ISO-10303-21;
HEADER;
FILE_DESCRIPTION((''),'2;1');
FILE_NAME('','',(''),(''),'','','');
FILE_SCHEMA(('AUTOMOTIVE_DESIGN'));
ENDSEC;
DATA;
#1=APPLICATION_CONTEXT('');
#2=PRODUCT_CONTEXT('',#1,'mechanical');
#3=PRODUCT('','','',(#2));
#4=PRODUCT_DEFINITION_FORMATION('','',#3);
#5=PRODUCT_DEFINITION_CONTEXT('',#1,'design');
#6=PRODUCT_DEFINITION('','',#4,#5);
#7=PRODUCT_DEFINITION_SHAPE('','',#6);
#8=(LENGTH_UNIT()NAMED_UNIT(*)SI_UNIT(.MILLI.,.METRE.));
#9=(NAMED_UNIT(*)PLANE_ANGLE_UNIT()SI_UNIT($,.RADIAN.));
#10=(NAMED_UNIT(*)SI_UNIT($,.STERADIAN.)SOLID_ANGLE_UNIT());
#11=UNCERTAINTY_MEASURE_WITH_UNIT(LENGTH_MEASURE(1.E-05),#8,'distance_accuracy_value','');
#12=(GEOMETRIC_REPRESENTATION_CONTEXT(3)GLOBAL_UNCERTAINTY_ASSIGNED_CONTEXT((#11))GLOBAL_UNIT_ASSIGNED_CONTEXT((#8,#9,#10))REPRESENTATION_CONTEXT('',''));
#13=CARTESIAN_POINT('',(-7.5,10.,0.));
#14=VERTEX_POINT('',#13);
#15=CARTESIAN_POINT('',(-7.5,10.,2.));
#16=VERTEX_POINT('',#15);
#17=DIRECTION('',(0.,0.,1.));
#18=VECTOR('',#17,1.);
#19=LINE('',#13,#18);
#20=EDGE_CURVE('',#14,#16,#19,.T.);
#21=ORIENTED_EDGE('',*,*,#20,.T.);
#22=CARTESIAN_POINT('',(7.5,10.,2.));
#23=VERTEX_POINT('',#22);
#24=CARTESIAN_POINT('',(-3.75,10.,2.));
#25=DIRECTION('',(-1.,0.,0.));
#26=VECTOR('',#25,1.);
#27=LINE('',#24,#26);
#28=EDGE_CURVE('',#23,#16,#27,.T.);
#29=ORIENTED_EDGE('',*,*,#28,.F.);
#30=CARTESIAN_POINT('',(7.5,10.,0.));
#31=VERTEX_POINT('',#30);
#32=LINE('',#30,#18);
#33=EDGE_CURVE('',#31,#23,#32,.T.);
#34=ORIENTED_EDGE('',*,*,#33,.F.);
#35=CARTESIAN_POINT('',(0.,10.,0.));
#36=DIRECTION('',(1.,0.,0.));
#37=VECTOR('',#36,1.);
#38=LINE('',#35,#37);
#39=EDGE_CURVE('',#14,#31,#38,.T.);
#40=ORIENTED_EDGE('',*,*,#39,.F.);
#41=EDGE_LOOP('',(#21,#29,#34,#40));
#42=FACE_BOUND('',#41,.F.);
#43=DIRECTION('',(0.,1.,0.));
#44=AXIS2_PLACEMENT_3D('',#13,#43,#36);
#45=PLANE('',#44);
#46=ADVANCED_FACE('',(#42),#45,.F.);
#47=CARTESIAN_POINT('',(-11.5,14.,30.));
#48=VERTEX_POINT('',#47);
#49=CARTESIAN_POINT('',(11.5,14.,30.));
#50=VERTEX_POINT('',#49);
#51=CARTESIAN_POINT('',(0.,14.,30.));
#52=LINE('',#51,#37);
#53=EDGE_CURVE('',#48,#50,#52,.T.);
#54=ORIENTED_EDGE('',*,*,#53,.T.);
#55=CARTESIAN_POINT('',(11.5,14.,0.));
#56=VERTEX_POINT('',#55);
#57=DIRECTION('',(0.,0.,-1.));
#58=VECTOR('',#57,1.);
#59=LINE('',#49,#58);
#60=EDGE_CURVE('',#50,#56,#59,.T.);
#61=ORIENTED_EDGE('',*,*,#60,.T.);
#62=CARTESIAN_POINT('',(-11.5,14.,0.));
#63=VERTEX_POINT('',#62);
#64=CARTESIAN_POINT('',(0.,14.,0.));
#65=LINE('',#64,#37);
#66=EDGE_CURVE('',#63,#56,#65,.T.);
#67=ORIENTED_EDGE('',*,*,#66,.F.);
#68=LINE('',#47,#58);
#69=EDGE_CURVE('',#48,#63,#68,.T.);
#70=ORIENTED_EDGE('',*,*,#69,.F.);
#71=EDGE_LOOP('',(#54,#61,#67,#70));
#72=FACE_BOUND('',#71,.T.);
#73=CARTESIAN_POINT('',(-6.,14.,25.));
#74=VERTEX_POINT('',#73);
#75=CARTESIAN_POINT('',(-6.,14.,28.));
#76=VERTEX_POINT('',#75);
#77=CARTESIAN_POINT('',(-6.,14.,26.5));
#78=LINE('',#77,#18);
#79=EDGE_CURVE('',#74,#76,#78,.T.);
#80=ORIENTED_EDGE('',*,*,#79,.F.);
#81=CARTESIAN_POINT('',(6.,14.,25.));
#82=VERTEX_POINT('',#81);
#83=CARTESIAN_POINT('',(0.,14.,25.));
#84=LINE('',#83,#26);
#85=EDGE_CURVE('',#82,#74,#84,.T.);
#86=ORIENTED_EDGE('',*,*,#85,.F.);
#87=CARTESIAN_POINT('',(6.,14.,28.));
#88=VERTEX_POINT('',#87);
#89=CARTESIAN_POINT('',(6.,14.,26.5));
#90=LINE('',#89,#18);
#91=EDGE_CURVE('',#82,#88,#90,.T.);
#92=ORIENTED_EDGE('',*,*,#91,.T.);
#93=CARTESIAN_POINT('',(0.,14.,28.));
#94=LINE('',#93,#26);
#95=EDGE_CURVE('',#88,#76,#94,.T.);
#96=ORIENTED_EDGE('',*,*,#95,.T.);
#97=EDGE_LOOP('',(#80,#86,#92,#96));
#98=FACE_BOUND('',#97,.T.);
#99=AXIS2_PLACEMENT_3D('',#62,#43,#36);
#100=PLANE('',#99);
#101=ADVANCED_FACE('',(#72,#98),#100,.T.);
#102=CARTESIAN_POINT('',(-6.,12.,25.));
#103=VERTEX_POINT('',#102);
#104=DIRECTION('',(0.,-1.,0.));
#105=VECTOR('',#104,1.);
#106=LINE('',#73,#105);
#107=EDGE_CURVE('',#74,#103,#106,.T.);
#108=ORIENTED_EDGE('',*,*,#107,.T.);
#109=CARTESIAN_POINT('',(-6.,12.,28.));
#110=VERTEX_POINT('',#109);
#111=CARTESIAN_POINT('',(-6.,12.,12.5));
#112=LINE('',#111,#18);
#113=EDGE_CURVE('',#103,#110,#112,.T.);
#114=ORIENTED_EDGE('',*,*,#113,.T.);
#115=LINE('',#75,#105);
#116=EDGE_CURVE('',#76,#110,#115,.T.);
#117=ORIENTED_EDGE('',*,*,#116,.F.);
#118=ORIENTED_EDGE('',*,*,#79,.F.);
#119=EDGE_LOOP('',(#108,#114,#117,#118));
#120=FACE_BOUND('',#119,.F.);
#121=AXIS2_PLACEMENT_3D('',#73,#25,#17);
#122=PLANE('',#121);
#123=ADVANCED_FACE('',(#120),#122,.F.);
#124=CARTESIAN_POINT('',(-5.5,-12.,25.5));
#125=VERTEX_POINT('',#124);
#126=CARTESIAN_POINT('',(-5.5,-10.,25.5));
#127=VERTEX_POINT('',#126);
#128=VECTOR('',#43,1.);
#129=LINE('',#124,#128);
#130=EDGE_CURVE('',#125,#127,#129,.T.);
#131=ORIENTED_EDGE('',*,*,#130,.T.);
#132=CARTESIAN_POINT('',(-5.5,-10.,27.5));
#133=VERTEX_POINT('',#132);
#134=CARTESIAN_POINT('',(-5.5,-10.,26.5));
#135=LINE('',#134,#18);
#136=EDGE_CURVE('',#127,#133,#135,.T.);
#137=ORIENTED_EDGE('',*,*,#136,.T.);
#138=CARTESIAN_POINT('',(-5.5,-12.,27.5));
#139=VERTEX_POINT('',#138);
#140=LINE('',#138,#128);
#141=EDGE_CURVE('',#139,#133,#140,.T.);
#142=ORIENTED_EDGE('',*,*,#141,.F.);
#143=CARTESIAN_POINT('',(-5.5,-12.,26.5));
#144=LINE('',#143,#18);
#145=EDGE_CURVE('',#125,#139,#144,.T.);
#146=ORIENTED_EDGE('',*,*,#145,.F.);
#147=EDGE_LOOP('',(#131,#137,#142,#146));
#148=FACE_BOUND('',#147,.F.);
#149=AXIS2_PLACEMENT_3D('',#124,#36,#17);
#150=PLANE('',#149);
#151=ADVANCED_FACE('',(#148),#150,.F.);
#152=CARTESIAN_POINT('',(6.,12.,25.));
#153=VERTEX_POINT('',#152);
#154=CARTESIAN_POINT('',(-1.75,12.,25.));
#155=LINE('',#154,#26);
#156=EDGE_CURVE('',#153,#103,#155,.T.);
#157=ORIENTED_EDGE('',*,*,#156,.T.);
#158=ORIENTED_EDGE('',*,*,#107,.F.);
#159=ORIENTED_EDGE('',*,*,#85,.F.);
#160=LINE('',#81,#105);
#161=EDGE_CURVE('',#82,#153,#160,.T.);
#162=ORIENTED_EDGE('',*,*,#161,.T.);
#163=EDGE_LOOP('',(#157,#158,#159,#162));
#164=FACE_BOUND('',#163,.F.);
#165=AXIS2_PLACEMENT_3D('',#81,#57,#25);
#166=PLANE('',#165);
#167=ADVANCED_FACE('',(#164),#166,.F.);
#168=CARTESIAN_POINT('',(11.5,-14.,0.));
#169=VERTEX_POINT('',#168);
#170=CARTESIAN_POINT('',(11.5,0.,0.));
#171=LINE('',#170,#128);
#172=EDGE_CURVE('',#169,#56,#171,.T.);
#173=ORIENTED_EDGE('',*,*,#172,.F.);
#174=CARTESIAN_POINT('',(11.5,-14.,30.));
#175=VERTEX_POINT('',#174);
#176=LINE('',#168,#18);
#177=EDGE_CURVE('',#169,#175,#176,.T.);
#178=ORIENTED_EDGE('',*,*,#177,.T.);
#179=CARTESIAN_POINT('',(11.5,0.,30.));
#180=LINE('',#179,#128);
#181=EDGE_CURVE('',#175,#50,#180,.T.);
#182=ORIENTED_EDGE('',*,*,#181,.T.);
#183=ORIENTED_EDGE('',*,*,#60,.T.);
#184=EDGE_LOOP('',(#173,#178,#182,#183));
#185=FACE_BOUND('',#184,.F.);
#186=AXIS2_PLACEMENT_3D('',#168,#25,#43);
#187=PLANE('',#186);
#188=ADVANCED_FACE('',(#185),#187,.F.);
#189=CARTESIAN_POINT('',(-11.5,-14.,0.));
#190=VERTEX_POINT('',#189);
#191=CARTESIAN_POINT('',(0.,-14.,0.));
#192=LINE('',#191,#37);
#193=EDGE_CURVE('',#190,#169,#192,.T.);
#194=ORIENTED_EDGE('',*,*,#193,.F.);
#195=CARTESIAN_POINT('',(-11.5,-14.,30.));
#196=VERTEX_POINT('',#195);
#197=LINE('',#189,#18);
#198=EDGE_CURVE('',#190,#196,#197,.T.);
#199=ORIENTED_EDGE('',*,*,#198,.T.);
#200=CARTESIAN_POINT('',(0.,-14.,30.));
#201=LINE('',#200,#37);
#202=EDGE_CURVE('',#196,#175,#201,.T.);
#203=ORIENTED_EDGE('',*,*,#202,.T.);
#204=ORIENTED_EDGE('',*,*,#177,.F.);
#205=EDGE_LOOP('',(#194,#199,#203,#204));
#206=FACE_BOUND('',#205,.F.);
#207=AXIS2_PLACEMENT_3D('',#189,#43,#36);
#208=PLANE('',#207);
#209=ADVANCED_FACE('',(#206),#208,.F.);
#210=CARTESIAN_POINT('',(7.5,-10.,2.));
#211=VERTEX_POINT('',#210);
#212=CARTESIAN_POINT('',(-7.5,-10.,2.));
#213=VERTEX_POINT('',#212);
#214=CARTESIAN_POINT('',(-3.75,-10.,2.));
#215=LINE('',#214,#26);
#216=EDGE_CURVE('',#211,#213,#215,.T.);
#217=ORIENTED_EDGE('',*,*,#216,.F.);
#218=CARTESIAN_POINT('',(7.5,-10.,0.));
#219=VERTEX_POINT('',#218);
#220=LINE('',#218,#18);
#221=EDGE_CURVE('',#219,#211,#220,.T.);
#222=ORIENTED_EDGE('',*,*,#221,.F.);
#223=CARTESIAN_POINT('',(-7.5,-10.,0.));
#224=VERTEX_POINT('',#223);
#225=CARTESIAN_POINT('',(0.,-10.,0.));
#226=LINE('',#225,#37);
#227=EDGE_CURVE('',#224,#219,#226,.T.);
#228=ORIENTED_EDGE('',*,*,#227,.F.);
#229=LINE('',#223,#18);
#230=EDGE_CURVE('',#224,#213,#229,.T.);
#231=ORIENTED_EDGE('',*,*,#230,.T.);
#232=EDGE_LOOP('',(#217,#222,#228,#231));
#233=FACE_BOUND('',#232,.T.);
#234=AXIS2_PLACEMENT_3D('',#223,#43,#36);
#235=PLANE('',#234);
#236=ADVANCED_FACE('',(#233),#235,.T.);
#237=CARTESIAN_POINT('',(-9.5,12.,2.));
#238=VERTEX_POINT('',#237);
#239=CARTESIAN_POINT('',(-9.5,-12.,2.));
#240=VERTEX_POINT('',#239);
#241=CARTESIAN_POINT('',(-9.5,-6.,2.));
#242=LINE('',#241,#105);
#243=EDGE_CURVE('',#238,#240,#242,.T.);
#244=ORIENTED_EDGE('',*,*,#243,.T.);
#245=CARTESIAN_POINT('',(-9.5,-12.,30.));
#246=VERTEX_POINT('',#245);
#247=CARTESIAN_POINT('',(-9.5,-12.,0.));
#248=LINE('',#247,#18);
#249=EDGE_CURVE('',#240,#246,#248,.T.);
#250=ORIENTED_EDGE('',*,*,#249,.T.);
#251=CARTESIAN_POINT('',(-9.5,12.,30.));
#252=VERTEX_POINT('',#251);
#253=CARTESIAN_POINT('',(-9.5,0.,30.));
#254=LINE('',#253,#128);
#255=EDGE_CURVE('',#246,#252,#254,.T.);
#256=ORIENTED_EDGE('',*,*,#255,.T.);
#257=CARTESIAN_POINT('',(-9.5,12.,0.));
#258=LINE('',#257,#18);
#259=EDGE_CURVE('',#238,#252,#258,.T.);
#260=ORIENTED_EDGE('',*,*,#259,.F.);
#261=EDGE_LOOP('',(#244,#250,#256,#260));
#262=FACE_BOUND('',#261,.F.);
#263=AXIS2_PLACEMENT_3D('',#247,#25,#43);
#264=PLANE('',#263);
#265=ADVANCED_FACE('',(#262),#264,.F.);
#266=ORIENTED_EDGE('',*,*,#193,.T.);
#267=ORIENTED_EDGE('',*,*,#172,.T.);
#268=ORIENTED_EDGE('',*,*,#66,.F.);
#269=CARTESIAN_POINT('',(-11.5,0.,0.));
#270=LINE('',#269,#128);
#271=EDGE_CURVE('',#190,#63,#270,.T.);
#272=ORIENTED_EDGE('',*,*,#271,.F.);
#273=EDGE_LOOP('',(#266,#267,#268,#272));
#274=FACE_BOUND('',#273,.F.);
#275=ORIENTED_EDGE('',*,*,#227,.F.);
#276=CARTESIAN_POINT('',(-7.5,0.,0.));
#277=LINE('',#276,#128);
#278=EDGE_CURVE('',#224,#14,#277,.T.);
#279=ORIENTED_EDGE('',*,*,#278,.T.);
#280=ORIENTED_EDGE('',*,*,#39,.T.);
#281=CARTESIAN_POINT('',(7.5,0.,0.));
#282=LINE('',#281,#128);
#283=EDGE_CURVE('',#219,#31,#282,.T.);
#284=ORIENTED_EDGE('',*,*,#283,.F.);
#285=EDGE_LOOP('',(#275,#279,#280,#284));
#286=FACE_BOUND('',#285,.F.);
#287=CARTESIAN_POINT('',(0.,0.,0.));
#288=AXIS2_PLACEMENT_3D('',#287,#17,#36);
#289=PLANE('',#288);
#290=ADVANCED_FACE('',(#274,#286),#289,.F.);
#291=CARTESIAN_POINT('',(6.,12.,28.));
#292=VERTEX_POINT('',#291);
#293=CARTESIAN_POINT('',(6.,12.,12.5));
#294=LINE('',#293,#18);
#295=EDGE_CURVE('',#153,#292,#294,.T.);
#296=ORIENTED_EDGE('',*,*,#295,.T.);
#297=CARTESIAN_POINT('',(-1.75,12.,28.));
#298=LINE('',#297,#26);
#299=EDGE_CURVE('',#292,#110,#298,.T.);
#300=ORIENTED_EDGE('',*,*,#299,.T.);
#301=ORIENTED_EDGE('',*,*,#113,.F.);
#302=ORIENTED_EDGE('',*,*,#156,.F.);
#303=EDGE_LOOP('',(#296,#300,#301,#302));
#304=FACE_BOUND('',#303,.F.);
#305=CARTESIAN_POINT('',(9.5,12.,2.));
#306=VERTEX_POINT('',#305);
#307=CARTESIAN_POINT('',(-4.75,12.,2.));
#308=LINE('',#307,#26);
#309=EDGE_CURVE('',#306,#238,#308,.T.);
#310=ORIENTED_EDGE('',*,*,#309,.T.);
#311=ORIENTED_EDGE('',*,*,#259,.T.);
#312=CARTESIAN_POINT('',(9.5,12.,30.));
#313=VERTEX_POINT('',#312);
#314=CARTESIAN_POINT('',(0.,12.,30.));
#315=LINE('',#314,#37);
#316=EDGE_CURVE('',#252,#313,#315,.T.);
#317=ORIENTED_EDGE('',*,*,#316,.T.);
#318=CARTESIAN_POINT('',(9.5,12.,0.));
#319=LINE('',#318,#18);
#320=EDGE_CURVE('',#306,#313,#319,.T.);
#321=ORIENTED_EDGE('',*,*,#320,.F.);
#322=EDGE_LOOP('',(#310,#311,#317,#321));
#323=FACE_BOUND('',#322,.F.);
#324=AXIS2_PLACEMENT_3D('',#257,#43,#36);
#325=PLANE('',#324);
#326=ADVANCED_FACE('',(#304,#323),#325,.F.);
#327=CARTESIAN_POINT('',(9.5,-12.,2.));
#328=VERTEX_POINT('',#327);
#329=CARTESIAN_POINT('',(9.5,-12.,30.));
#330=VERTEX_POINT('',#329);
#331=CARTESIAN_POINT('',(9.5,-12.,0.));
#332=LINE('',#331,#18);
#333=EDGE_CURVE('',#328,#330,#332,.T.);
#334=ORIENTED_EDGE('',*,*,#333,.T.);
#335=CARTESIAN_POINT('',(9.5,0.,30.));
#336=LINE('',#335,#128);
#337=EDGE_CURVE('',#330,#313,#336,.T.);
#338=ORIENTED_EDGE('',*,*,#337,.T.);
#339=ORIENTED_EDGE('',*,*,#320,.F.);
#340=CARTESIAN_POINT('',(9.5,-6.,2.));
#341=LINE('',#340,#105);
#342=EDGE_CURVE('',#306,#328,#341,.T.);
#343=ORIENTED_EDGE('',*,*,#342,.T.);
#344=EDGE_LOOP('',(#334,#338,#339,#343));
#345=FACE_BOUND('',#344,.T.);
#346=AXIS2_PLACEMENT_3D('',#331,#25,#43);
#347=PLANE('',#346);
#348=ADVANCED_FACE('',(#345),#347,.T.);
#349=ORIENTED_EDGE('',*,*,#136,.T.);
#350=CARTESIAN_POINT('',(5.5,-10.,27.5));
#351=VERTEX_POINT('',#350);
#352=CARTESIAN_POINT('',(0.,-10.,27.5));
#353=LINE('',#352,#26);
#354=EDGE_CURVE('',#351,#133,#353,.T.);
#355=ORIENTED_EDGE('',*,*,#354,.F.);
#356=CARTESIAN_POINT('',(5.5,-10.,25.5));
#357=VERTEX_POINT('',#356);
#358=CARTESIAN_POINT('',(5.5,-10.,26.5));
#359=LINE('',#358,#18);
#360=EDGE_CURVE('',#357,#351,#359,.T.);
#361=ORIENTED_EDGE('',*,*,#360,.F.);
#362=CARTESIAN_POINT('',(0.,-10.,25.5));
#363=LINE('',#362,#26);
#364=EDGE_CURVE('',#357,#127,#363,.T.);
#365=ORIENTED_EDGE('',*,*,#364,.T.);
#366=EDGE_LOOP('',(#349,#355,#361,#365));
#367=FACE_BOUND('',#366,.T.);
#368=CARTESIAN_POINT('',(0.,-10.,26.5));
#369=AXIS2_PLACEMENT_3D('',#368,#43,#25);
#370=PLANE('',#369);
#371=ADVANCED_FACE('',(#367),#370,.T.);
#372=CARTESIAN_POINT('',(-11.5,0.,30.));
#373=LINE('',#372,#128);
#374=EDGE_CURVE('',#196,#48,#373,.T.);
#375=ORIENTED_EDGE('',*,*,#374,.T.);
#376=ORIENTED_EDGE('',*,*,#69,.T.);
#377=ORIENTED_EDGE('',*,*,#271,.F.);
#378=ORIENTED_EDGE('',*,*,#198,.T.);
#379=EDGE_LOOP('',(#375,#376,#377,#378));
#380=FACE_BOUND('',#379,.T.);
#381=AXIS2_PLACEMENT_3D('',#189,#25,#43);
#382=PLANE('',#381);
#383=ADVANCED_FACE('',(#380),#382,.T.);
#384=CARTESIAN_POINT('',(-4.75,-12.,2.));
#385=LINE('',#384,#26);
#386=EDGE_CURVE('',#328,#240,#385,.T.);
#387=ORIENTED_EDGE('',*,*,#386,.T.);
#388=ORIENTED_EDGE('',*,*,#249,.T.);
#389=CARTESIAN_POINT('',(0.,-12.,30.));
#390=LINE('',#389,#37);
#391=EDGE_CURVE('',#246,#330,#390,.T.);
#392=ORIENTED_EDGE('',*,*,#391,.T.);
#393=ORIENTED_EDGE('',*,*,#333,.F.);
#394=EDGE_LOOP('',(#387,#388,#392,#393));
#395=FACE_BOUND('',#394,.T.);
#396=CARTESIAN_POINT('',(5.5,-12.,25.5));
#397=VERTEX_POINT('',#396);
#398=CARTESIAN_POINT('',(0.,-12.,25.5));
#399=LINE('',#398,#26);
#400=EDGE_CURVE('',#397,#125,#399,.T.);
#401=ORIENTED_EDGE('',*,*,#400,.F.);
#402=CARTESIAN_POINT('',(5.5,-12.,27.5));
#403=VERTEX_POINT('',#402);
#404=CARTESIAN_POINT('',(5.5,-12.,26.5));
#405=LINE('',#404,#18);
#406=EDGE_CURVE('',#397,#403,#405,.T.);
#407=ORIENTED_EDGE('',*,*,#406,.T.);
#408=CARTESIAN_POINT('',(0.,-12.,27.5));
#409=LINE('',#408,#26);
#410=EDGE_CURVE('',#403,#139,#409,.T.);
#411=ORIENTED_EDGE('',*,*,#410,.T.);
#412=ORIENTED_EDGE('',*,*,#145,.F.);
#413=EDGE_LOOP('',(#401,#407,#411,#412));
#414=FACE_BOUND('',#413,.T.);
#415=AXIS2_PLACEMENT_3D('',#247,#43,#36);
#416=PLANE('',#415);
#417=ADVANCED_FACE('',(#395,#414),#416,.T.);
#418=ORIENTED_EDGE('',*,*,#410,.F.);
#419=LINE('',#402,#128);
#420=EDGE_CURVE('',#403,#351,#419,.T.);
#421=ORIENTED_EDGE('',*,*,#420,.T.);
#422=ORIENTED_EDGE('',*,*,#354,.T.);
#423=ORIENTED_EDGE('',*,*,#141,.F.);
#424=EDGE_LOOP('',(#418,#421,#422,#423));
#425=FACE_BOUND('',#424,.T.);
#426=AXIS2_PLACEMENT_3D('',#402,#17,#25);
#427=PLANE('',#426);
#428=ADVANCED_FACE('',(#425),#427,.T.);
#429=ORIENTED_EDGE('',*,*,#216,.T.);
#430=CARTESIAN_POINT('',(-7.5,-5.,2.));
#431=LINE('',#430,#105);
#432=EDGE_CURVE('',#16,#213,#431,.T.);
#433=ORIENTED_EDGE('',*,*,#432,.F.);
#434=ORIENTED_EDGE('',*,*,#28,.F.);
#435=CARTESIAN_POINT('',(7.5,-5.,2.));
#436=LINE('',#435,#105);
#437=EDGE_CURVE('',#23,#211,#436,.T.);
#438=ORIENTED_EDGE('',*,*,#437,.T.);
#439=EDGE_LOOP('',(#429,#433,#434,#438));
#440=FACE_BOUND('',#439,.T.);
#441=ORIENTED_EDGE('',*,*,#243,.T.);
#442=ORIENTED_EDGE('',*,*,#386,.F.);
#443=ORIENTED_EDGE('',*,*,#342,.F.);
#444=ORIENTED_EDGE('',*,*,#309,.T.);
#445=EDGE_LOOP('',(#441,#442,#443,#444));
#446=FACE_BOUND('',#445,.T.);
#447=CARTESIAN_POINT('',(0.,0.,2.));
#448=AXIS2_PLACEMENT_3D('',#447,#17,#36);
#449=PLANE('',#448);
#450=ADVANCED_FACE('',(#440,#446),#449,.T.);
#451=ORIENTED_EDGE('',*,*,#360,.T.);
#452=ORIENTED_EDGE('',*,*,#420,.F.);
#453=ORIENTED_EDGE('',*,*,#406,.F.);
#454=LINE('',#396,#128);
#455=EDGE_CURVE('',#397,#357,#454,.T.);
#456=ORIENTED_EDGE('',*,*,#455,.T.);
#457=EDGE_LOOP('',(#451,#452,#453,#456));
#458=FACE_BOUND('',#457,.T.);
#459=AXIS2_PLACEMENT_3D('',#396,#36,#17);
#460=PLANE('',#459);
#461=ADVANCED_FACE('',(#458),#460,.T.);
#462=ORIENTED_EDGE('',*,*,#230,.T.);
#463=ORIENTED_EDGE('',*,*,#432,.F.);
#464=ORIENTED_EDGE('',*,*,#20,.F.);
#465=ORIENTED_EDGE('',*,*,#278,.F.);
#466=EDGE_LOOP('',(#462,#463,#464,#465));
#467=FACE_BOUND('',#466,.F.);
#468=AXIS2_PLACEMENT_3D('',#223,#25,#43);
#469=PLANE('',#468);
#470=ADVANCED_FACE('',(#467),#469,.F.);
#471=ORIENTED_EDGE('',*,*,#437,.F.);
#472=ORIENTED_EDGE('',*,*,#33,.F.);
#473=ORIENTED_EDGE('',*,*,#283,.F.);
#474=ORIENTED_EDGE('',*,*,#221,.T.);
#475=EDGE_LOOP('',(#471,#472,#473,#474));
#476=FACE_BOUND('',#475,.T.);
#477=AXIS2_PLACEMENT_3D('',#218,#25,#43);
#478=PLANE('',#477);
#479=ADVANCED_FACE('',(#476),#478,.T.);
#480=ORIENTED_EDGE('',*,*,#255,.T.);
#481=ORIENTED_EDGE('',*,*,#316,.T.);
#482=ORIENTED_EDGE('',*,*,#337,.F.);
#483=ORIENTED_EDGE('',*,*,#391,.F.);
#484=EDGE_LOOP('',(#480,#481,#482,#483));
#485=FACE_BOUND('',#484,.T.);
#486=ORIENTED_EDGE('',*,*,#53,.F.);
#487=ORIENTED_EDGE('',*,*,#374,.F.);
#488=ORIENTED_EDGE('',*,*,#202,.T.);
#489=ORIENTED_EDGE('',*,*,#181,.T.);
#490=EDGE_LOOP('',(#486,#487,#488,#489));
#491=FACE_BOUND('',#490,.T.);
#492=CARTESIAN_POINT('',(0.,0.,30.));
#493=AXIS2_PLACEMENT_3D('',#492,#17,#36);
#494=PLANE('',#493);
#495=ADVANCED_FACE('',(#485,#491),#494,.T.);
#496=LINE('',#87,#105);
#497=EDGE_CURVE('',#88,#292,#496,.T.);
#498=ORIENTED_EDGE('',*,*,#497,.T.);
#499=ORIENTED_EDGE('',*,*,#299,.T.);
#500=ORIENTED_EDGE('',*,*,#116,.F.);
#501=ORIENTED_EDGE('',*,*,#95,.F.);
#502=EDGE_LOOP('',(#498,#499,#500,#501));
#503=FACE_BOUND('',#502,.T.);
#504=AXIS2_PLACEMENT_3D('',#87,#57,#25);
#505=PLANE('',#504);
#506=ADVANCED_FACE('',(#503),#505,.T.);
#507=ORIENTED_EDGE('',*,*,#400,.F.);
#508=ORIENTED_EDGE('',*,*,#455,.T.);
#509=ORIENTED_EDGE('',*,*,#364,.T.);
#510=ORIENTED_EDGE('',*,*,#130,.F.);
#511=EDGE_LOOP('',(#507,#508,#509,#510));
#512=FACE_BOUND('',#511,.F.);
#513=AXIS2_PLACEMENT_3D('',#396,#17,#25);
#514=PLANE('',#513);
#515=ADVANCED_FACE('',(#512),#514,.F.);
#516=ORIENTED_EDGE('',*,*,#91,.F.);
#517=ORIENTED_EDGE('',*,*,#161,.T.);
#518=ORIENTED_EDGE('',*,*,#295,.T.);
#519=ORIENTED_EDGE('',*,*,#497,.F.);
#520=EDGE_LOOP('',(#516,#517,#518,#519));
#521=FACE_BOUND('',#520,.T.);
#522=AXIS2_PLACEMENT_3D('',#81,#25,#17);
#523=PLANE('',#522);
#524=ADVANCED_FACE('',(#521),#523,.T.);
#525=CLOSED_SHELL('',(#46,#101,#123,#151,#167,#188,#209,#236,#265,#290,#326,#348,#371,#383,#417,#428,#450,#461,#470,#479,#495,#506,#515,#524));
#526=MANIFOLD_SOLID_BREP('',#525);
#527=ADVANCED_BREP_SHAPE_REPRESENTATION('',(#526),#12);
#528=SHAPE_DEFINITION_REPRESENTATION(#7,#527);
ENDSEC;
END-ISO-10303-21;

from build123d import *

# Parameters (mm, degrees)
F0_W     = 23
F0_H     = 28
F0_W_2   = 19
F0_H_2   = 24
F0_W_3   = 15
F0_H_3   = 20
F1_DEPTH = 2
F2_DEPTH = 25
F3_DEPTH = 30
F4_W     = 12
F4_H     = 3
F5_DEPTH = 5
F6_W     = 11
F6_H     = 2
F7_DEPTH = 2


with BuildPart() as f1:
    # F0 (on Top) → F1 (new body)
    with BuildSketch(Plane.XY):
        Rectangle(F0_W, F0_H)
        Rectangle(F0_W_2, F0_H_2, mode=Mode.SUBTRACT)
        Rectangle(F0_W_2, F0_H_2)
        Rectangle(F0_W_3, F0_H_3, mode=Mode.SUBTRACT)
        Rectangle(F0_W_3, F0_H_3)
    extrude(amount=F1_DEPTH)

    # F0 (on Top) → F2 (cut)
    with BuildSketch(Plane.XY):
        Rectangle(F0_W_3, F0_H_3)
    extrude(amount=F2_DEPTH, mode=Mode.SUBTRACT)

    # F0 (on Top) → F3 (join)
    with BuildSketch(Plane.XY):
        Rectangle(F0_W, F0_H)
        Rectangle(F0_W_2, F0_H_2, mode=Mode.SUBTRACT)
    extrude(amount=F3_DEPTH)

    # F4 (on face) → F5 (cut)
    with BuildSketch(Plane(origin=(0, 14, 0), x_dir=(-1, 0, 0), z_dir=(0, 1, 0))):
        with Locations((0, 26.5)):
            Rectangle(F4_W, F4_H)
    extrude(amount=-F5_DEPTH, mode=Mode.SUBTRACT)

    # F6 (on face) → F7 (join)
    with BuildSketch(Plane(origin=(0, -12, 0), x_dir=(-1, 0, 0), z_dir=(0, 1, 0))):
        with Locations((0, 26.5)):
            Rectangle(F6_W, F6_H)
    extrude(amount=F7_DEPTH)


solid = f1.part
